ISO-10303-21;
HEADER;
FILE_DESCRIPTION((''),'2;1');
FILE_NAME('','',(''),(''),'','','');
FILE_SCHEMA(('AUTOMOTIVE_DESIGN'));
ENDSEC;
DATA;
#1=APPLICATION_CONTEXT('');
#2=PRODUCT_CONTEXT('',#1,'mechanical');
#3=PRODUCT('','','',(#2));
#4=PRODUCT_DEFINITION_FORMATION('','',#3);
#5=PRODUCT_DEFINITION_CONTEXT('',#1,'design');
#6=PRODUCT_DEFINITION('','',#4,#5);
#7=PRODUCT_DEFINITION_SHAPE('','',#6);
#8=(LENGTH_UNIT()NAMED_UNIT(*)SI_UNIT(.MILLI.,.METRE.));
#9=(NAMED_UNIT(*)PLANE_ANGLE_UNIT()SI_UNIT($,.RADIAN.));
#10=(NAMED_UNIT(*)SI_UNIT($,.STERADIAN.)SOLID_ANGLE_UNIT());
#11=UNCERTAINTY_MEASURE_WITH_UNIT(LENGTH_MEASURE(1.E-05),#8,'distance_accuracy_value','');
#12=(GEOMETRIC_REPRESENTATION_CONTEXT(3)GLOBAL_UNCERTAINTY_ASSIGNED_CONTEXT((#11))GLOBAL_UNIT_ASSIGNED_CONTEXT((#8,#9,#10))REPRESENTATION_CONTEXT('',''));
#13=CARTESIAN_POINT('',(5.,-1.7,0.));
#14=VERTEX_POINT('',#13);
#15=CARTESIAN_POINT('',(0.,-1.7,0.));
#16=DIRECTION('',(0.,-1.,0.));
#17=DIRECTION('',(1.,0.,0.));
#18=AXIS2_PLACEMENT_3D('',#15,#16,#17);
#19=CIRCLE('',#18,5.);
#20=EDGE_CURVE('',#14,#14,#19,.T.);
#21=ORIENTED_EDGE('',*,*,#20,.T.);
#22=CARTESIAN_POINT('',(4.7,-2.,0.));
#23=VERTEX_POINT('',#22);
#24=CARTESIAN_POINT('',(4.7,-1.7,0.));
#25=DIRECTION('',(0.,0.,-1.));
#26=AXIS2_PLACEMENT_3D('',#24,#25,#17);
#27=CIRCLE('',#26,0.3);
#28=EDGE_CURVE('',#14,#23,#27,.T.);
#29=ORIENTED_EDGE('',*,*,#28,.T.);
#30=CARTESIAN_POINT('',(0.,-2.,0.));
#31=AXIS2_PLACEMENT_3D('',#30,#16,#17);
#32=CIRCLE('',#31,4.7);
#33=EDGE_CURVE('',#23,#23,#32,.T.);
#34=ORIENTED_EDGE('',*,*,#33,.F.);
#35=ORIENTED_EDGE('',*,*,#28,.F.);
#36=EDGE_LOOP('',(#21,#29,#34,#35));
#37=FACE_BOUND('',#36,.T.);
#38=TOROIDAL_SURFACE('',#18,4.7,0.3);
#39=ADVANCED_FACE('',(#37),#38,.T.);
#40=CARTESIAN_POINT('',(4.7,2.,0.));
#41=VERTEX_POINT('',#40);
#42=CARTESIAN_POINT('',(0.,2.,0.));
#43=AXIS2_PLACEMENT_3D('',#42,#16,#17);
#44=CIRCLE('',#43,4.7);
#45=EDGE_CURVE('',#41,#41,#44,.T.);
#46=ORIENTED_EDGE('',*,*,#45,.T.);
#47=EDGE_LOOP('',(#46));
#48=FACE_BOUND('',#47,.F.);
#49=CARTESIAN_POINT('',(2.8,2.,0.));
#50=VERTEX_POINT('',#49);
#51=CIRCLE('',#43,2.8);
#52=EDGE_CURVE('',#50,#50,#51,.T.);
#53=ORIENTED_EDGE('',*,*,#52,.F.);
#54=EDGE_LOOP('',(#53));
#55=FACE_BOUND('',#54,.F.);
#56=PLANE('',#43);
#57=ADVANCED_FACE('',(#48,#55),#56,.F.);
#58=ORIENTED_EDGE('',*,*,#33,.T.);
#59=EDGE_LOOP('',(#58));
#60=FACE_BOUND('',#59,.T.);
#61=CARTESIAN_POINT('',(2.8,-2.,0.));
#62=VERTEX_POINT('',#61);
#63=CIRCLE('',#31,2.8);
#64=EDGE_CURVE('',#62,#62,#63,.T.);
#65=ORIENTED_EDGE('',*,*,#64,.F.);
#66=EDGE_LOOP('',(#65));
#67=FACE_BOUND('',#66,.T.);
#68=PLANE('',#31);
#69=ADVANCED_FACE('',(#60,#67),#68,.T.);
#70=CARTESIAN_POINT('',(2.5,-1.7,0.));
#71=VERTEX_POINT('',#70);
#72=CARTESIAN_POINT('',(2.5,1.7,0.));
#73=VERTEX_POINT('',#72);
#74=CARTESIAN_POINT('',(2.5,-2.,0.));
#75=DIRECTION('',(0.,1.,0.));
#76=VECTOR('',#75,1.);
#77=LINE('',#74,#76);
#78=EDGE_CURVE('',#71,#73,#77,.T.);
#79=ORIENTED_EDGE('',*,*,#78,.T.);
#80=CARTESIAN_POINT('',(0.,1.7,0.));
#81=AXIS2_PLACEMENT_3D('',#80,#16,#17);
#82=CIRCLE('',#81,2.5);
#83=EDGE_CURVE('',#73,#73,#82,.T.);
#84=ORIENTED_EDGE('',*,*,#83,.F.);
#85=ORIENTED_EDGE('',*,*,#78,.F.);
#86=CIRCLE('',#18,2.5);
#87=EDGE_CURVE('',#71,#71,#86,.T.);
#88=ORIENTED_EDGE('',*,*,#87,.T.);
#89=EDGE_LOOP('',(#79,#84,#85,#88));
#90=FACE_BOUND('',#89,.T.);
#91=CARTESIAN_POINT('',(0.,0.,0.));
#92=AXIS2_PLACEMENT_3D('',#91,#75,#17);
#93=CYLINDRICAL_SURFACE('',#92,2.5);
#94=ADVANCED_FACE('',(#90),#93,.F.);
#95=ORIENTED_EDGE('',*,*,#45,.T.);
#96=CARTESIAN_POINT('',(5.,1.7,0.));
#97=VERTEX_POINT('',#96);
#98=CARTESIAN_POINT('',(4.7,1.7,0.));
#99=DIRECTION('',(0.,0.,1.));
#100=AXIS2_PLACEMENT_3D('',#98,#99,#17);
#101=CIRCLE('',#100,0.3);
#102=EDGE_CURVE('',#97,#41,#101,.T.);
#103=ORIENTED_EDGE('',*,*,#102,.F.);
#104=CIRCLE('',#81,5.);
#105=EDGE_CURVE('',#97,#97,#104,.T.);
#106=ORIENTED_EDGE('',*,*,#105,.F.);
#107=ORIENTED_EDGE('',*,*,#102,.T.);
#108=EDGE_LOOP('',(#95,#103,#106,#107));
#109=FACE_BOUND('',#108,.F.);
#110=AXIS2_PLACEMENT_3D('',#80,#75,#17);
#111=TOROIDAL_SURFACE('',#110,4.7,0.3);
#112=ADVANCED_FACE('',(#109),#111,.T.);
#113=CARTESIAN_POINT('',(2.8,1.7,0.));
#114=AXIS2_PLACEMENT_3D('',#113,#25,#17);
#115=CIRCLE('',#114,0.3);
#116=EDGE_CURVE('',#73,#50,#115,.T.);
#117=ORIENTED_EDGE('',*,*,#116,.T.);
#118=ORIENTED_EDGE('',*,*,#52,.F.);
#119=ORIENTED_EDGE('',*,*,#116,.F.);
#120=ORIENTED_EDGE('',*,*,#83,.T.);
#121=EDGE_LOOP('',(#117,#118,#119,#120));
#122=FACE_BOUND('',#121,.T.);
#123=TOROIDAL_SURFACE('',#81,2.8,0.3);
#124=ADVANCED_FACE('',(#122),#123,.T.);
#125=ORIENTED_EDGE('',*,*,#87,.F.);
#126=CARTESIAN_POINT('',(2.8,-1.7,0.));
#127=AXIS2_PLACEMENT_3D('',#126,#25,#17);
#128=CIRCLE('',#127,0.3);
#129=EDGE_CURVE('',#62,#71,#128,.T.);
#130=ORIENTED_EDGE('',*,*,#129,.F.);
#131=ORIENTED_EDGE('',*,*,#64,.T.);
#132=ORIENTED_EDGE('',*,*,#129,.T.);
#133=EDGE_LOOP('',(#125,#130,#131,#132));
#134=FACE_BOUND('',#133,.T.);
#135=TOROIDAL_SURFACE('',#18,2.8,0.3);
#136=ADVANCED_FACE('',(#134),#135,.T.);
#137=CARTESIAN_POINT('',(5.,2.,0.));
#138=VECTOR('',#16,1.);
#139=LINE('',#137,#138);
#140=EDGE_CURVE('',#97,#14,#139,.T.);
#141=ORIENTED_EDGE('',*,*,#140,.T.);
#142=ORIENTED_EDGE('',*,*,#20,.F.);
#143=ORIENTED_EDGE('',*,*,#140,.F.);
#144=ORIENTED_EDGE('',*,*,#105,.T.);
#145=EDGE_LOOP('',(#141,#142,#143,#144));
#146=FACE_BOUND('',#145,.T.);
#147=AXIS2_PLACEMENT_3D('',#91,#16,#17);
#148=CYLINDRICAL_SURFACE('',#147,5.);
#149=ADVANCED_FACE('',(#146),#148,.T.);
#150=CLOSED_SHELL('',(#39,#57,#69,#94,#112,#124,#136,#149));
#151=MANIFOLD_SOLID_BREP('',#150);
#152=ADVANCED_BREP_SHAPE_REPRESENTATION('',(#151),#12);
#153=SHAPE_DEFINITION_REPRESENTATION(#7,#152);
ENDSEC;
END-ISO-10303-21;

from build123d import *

# Parameters (mm, degrees)
F0_R     = 5
F0_R_2   = 2.5
F1_DEPTH = 2
F2_R     = 0.3


with BuildPart() as f1:
    # F0 (on Front) → F1 (new body, symmetric)
    with BuildSketch(Plane.XZ):
        Circle(F0_R)
        Circle(F0_R_2, mode=Mode.SUBTRACT)
    extrude(amount=F1_DEPTH, both=True)

    # F2
    f2_edges = [f1.edges().sort_by_distance(p)[0] for p in [
        (-5, 2, 0),
        (5, 0, 0),
        (-5, -2, 0),
        (-2.5, -2, 0),
        (2.5, 0, 0),
        (-2.5, 2, 0),
    ]]
    fillet(f2_edges, radius=F2_R)


solid = f1.part
